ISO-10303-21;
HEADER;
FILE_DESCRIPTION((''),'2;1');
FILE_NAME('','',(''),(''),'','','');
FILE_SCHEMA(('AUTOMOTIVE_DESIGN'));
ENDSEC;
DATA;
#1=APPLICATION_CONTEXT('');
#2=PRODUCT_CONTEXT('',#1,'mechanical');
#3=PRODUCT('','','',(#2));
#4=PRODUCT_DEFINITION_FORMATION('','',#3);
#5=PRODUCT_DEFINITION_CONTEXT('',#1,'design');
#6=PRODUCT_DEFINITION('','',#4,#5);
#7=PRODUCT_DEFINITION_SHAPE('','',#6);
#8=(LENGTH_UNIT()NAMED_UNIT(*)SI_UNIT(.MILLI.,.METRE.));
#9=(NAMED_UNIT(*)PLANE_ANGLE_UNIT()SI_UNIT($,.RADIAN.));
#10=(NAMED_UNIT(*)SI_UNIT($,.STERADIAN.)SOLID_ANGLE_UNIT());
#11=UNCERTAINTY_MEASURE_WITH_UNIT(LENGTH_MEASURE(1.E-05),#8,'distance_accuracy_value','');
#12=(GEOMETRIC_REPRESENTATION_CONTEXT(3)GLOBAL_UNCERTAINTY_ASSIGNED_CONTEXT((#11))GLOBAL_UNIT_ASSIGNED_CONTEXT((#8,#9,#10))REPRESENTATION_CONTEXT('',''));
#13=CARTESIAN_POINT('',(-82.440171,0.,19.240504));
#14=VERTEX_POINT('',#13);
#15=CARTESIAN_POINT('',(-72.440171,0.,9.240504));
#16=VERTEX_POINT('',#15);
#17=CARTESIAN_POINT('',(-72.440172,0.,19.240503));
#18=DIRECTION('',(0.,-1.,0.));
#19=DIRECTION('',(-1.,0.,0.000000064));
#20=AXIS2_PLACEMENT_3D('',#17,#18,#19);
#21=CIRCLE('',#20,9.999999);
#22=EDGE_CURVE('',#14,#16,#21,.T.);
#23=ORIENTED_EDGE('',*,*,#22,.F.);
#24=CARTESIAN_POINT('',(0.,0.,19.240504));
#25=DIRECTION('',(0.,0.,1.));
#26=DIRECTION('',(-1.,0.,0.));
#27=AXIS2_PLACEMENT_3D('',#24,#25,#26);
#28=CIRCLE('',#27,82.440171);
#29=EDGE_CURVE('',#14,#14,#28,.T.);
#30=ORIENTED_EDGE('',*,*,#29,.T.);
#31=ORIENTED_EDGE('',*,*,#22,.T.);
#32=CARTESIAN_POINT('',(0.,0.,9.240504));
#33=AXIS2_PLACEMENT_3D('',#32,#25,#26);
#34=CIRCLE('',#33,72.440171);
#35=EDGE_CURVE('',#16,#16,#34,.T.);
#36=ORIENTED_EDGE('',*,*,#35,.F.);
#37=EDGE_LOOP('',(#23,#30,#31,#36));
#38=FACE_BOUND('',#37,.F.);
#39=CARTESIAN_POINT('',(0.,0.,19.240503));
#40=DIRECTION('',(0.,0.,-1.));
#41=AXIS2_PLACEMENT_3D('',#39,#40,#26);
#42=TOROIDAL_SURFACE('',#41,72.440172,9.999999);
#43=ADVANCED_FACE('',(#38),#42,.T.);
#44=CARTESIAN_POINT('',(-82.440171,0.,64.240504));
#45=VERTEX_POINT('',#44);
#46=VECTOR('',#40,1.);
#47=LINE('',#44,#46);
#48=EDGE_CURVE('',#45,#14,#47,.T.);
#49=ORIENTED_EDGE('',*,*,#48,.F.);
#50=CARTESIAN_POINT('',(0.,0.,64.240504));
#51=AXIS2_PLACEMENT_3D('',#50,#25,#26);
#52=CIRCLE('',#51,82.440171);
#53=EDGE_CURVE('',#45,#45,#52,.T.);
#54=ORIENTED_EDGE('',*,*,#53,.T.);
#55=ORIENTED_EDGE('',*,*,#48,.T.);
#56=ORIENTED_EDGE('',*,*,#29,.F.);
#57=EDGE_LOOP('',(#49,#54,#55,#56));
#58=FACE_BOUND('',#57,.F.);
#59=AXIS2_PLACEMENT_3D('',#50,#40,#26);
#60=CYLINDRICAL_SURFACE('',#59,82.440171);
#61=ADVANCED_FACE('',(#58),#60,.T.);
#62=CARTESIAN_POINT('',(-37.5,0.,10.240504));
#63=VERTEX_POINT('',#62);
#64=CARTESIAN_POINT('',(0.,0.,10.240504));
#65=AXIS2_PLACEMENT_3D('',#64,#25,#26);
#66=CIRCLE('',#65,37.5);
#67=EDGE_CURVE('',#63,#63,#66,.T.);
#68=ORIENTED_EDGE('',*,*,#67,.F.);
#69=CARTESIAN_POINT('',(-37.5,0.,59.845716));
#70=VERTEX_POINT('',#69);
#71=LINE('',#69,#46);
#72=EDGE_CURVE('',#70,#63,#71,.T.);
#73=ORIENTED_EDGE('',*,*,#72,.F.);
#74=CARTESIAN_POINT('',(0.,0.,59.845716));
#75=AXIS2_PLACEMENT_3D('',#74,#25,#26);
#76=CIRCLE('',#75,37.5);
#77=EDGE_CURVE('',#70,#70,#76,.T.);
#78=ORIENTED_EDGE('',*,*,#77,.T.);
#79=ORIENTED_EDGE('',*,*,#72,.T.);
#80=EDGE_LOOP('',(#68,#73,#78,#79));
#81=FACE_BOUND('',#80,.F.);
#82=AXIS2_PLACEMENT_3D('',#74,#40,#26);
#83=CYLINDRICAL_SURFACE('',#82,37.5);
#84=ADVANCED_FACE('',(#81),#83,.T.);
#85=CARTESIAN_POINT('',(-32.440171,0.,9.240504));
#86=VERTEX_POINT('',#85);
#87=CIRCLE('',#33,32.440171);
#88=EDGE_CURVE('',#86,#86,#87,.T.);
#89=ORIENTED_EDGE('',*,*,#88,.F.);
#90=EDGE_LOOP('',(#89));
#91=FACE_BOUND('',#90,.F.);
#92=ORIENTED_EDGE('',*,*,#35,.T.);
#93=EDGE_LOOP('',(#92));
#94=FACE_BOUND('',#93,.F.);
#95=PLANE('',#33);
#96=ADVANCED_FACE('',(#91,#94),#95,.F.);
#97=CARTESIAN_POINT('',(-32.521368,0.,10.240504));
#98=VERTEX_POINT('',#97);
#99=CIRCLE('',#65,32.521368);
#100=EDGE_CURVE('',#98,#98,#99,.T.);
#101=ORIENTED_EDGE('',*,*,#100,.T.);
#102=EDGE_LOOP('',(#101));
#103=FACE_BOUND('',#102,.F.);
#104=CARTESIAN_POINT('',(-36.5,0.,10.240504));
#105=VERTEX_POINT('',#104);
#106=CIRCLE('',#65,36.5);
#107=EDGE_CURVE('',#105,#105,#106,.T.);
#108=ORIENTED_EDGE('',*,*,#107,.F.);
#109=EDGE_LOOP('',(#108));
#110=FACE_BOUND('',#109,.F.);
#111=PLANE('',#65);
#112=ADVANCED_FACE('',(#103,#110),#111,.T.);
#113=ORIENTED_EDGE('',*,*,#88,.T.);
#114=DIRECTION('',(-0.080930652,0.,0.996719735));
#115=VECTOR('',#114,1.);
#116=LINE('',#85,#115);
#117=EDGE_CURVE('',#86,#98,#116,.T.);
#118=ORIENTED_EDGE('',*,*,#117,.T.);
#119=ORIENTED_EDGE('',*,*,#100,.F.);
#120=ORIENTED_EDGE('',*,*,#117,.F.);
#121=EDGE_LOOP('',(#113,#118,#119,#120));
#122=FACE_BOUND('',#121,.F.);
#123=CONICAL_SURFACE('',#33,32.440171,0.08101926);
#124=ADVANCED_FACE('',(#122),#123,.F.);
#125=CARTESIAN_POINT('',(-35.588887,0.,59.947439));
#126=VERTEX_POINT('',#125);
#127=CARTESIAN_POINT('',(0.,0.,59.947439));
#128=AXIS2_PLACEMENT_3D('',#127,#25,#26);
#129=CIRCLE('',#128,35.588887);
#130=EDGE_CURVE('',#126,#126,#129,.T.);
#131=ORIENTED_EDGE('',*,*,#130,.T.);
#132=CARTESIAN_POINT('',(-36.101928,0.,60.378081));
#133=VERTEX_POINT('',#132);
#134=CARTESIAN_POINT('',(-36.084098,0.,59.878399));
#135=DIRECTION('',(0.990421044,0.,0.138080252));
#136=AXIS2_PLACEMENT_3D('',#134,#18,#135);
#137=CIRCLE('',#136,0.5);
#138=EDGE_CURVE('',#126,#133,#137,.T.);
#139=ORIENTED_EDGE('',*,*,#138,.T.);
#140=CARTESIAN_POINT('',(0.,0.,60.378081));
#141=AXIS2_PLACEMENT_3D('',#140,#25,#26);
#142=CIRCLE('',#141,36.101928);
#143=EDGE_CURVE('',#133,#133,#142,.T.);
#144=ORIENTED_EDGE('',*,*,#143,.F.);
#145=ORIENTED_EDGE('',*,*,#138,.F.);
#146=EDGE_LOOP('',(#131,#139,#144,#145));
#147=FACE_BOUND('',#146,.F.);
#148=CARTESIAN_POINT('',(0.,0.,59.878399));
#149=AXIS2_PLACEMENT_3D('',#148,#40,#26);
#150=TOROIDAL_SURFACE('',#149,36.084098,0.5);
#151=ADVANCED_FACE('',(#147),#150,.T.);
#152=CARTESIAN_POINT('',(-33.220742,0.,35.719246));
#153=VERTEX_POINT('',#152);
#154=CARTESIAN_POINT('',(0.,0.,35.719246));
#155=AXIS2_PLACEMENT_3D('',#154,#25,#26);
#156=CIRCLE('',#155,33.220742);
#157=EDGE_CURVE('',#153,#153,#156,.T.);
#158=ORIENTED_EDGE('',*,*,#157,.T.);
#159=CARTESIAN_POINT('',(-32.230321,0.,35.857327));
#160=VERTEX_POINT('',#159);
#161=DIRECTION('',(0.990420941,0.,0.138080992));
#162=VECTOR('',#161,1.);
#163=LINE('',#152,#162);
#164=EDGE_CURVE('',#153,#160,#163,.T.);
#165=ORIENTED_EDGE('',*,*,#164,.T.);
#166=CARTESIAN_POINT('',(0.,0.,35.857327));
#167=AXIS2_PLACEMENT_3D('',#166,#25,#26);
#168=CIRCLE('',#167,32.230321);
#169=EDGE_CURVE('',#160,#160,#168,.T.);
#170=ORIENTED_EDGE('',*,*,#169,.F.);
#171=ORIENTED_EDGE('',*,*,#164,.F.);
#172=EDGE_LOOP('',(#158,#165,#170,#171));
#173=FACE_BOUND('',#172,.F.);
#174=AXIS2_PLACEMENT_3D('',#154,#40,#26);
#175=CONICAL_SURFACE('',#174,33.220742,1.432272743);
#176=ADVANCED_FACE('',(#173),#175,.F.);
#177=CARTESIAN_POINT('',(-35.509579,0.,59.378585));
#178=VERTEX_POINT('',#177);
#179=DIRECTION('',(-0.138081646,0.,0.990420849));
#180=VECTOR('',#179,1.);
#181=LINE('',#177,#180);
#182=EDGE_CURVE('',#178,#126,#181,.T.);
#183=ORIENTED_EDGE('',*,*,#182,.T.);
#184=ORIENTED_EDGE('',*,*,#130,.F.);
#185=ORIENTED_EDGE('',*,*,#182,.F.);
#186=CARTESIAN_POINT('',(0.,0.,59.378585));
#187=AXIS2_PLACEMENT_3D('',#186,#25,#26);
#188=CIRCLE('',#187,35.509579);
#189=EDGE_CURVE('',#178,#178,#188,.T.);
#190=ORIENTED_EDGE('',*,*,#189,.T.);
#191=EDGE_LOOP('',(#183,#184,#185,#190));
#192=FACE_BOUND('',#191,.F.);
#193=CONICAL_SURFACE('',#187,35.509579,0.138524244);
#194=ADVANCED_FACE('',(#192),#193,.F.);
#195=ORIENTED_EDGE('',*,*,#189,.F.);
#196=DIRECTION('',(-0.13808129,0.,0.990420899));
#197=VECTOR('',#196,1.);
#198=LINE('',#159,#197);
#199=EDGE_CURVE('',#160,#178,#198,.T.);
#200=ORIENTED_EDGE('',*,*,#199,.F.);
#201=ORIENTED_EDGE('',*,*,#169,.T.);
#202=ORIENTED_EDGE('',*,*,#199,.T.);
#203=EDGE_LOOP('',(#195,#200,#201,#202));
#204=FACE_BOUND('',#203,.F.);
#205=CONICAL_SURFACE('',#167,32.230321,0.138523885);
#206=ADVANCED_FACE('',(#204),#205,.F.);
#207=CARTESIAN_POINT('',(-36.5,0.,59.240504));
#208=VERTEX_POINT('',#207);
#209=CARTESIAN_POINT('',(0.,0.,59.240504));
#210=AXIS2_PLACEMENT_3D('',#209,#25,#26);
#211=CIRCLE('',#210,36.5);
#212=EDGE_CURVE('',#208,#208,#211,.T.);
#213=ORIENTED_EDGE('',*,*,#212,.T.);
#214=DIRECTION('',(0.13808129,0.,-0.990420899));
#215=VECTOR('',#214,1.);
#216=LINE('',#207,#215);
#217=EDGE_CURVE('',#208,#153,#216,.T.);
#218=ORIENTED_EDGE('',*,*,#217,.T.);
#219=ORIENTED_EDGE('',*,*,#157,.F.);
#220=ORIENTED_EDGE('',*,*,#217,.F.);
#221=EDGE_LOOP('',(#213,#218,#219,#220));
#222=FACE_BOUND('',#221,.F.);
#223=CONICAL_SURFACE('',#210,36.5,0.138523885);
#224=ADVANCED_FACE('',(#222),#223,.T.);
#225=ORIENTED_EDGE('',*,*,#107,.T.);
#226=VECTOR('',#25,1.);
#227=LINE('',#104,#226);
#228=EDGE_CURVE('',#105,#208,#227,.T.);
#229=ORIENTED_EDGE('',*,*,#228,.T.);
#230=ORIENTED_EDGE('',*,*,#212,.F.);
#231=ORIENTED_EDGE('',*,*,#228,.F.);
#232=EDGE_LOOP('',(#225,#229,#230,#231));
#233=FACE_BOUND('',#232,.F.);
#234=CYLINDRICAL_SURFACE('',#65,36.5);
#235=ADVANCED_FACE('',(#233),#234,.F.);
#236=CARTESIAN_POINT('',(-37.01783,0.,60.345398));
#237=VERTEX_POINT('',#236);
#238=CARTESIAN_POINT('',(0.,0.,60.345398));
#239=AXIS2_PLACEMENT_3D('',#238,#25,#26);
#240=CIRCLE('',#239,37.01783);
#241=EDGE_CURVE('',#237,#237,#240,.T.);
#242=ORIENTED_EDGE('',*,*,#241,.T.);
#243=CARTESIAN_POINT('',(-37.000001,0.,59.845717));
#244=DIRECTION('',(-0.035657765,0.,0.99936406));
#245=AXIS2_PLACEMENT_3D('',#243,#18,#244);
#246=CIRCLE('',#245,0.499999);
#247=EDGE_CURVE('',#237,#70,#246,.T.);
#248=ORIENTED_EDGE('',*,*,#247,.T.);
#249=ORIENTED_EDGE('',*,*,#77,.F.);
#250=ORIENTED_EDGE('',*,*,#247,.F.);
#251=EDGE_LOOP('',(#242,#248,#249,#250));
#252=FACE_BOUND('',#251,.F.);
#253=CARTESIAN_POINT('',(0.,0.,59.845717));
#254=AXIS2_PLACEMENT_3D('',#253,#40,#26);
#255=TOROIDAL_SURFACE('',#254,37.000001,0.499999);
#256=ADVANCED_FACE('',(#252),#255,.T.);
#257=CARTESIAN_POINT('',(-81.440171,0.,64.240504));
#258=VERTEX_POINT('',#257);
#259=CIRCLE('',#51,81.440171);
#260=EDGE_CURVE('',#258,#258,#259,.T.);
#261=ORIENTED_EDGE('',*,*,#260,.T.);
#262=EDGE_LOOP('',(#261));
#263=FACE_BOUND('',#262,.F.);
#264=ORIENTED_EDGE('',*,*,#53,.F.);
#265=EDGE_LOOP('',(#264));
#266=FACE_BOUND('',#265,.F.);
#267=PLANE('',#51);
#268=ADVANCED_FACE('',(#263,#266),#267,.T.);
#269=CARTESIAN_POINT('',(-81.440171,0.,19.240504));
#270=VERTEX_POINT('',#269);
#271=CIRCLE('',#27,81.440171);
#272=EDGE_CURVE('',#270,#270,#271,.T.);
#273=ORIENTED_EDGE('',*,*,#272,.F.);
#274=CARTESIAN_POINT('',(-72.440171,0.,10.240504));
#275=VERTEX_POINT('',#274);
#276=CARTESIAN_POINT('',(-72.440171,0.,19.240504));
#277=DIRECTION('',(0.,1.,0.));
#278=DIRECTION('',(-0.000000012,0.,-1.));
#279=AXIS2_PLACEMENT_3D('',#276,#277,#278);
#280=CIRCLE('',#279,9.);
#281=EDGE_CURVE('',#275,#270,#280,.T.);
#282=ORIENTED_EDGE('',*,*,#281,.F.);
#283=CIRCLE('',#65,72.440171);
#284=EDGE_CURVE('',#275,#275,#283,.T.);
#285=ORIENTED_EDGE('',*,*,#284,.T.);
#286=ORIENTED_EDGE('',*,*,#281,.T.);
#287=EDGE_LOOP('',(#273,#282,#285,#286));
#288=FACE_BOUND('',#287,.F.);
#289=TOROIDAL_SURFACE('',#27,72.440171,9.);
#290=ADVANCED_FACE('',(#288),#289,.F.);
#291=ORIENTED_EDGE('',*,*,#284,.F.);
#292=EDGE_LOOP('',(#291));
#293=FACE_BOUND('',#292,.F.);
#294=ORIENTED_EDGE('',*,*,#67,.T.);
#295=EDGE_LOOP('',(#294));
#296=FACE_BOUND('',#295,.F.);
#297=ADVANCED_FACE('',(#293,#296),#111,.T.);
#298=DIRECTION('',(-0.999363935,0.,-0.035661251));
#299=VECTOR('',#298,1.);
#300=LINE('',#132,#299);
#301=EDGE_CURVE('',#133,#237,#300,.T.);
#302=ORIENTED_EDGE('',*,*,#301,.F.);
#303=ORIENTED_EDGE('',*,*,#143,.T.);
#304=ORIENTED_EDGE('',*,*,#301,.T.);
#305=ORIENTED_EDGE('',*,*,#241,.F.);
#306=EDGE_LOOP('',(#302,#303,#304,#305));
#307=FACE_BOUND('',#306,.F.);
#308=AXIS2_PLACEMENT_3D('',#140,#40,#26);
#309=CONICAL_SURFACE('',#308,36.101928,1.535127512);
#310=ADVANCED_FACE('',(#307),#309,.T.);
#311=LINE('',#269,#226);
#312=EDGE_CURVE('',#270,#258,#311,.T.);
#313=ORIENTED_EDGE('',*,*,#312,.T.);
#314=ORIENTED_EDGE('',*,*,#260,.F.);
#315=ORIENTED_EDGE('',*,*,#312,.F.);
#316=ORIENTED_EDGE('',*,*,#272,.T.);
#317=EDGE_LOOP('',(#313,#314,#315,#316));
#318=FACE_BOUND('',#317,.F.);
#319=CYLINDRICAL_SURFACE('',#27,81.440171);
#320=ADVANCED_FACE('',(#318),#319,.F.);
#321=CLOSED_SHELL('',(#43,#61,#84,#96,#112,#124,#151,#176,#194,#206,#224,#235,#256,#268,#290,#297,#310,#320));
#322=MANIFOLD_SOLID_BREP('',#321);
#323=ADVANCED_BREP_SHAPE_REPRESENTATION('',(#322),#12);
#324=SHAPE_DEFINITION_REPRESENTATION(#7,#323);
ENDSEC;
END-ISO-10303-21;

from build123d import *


with BuildPart() as f1:
    # F0 (on Front) → F1 (revolve)
    with BuildSketch(Plane.XZ):
        with BuildLine():
            Line((-32.440171, 9.240504), (-32.521368, 10.240504))
            Line((-32.521368, 10.240504), (-36.5, 10.240504))
            Line((-36.5, 10.240504), (-36.5, 59.240504))
            Line((-36.5, 59.240504), (-33.220742, 35.719246))
            Line((-33.220742, 35.719246), (-32.230321, 35.857327))
            Line((-32.230321, 35.857327), (-35.509579, 59.378585))
            Line((-35.509579, 59.378585), (-35.588887, 59.947439))
            ThreePointArc((-35.588887, 59.947439), (-35.762638, 60.261366), (-36.101928, 60.378081))
            Line((-36.101928, 60.378081), (-37.01783, 60.345398))
            ThreePointArc((-37.01783, 60.345398), (-37.359802, 60.192909), (-37.5, 59.845716))
            Line((-37.5, 59.845716), (-37.5, 59.240504))
            Line((-37.5, 59.240504), (-37.5, 10.240504))
            Line((-37.5, 10.240504), (-72.440171, 10.240504))
            ThreePointArc((-72.440171, 10.240504), (-78.804132, 12.876543), (-81.440171, 19.240504))
            Line((-81.440171, 19.240504), (-81.440171, 64.240504))
            Line((-81.440171, 64.240504), (-82.440171, 64.240504))
            Line((-82.440171, 64.240504), (-82.440171, 19.240504))
            ThreePointArc((-82.440171, 19.240504), (-79.511239, 12.169436), (-72.440171, 9.240504))
            Line((-72.440171, 9.240504), (-32.440171, 9.240504))
        make_face()
    revolve(axis=Axis((0, 0, 34.240504), (0, 0, 1)))


solid = f1.part
